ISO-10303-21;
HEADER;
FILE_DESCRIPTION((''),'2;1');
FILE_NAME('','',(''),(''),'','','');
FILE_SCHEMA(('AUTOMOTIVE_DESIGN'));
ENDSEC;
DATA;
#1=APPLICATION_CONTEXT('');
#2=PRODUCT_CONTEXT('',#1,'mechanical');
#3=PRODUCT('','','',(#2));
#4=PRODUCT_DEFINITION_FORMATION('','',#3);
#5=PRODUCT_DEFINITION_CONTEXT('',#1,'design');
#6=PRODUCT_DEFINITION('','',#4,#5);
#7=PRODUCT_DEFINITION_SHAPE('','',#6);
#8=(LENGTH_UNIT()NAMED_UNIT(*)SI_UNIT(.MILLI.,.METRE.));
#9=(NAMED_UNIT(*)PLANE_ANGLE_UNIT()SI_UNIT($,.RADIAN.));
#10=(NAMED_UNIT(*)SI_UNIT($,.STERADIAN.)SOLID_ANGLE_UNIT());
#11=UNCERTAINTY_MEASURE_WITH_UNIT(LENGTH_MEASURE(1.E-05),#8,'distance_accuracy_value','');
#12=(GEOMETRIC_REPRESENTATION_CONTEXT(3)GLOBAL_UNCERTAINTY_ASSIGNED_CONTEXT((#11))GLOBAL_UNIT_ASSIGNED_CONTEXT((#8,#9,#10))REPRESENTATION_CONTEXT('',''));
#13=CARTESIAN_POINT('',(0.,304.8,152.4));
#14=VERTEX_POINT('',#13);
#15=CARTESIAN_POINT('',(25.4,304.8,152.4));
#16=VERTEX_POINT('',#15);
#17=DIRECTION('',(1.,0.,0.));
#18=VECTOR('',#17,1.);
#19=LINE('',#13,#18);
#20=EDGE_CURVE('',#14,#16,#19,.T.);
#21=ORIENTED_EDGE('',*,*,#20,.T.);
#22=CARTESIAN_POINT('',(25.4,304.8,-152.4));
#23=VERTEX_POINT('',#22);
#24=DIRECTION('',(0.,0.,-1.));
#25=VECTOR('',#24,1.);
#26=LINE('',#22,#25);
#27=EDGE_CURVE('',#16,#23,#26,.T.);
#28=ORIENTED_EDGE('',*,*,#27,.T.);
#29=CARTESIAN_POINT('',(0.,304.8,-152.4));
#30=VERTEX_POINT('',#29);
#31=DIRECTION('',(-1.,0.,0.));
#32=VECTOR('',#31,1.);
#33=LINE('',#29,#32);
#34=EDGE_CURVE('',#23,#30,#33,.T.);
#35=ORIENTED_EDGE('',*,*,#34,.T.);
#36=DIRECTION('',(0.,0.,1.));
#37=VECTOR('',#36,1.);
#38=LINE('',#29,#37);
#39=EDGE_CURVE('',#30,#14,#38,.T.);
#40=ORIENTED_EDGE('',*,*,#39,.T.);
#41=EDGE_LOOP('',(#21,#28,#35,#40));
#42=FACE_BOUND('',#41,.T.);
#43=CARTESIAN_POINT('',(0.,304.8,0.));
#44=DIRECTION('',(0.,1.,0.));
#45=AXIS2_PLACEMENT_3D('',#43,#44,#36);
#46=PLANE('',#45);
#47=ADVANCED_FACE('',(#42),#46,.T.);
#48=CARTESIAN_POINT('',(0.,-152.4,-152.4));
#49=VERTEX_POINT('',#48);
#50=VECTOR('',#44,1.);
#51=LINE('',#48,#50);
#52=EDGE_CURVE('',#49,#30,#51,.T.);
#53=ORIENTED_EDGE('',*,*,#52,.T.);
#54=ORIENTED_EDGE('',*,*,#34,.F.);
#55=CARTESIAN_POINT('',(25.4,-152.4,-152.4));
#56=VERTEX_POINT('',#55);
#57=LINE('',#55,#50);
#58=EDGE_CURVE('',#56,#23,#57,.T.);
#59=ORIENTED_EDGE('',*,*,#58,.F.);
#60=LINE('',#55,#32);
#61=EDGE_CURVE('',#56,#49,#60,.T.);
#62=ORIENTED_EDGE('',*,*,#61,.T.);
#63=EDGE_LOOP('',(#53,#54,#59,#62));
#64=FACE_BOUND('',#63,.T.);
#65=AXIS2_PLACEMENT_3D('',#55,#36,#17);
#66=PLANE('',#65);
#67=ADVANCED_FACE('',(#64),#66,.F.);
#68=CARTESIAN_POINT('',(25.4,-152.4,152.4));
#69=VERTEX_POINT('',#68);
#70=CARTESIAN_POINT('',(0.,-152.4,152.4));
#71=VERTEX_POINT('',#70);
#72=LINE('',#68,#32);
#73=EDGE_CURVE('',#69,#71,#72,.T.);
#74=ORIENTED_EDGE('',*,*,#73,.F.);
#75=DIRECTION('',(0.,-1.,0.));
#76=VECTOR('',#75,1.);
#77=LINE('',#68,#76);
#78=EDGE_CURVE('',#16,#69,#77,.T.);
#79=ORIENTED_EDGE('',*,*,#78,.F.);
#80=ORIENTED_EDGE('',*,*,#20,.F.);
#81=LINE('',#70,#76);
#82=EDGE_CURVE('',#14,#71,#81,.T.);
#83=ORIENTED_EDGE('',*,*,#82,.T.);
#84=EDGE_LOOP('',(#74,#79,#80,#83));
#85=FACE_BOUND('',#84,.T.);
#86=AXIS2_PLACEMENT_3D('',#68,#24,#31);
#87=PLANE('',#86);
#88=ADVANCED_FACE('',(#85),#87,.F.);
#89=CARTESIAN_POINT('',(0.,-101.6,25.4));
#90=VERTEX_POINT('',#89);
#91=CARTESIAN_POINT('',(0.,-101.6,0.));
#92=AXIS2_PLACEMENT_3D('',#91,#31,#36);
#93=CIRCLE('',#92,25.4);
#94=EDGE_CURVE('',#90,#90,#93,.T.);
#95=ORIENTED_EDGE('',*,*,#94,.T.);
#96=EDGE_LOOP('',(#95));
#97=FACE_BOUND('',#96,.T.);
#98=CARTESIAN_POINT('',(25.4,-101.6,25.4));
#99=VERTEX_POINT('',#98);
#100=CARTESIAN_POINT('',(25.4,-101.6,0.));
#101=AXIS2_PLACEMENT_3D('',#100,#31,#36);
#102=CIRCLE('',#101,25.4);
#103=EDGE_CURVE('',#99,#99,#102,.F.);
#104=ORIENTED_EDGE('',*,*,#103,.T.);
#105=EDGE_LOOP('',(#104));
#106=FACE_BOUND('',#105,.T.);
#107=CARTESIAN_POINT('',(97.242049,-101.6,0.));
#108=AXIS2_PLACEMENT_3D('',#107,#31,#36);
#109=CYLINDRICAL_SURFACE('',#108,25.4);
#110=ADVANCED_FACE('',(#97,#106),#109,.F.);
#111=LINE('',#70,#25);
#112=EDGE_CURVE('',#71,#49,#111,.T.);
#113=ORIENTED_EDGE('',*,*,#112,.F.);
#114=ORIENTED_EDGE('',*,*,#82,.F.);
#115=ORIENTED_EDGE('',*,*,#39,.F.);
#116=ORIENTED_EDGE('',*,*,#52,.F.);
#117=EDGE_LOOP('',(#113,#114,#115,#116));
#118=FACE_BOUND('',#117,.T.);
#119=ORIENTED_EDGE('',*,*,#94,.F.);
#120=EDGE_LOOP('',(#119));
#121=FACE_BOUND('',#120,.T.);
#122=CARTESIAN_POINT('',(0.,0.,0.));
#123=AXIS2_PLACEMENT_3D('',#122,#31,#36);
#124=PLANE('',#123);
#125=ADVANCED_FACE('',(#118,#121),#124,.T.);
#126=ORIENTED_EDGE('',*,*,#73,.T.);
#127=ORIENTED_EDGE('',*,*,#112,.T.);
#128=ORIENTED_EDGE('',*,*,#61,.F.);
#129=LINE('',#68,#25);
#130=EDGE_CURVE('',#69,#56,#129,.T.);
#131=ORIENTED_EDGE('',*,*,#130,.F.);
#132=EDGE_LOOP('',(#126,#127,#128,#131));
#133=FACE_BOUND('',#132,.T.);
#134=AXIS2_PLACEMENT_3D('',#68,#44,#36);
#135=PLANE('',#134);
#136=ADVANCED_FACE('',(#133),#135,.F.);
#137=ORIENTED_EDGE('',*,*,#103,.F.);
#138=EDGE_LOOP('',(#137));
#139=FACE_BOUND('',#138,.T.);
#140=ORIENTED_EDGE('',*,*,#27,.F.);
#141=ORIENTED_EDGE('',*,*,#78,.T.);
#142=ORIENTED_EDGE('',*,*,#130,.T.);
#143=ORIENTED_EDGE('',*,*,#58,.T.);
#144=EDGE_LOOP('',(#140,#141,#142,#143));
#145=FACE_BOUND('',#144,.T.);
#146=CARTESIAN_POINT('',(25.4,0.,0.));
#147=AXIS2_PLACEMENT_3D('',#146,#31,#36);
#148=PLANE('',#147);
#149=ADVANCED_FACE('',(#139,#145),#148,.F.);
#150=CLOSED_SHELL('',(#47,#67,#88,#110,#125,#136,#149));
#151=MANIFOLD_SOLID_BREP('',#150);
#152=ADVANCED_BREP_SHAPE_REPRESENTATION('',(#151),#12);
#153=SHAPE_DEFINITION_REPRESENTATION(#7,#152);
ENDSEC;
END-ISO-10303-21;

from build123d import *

# Parameters (mm, degrees)
SKETCH1_W           = 304.8
SKETCH1_H           = 304.8
BOSS_EXTRUDE1_DEPTH = 25.4
SKETCH2_R           = 25.4
CUT_EXTRUDE1_DEPTH  = 25.4
SKETCH3_W           = 25.4
SKETCH3_H           = 304.8
BOSS_EXTRUDE2_DEPTH = 152.4


with BuildPart() as part:
    # Sketch1 → Boss-Extrude1 (new body)
    with BuildSketch(Plane(origin=(0, 0, 0), x_dir=(0, 0, -1), z_dir=(1, 0, 0))):
        Rectangle(SKETCH1_W, SKETCH1_H)
    extrude(amount=BOSS_EXTRUDE1_DEPTH)

    # Sketch2 → Cut-Extrude1 (cut)
    with BuildSketch(Plane.ZY):
        with Locations((0, -101.6)):
            Circle(SKETCH2_R)
    extrude(amount=-CUT_EXTRUDE1_DEPTH, mode=Mode.SUBTRACT)

    # Sketch3 → Boss-Extrude2 (add)
    with BuildSketch(Plane(origin=(0, 152.4, 0), x_dir=(1, 0, 0), z_dir=(0, 1, 0))):
        with Locations((12.7, 0)):
            Rectangle(SKETCH3_W, SKETCH3_H)
    extrude(amount=BOSS_EXTRUDE2_DEPTH)


solid = part.part
